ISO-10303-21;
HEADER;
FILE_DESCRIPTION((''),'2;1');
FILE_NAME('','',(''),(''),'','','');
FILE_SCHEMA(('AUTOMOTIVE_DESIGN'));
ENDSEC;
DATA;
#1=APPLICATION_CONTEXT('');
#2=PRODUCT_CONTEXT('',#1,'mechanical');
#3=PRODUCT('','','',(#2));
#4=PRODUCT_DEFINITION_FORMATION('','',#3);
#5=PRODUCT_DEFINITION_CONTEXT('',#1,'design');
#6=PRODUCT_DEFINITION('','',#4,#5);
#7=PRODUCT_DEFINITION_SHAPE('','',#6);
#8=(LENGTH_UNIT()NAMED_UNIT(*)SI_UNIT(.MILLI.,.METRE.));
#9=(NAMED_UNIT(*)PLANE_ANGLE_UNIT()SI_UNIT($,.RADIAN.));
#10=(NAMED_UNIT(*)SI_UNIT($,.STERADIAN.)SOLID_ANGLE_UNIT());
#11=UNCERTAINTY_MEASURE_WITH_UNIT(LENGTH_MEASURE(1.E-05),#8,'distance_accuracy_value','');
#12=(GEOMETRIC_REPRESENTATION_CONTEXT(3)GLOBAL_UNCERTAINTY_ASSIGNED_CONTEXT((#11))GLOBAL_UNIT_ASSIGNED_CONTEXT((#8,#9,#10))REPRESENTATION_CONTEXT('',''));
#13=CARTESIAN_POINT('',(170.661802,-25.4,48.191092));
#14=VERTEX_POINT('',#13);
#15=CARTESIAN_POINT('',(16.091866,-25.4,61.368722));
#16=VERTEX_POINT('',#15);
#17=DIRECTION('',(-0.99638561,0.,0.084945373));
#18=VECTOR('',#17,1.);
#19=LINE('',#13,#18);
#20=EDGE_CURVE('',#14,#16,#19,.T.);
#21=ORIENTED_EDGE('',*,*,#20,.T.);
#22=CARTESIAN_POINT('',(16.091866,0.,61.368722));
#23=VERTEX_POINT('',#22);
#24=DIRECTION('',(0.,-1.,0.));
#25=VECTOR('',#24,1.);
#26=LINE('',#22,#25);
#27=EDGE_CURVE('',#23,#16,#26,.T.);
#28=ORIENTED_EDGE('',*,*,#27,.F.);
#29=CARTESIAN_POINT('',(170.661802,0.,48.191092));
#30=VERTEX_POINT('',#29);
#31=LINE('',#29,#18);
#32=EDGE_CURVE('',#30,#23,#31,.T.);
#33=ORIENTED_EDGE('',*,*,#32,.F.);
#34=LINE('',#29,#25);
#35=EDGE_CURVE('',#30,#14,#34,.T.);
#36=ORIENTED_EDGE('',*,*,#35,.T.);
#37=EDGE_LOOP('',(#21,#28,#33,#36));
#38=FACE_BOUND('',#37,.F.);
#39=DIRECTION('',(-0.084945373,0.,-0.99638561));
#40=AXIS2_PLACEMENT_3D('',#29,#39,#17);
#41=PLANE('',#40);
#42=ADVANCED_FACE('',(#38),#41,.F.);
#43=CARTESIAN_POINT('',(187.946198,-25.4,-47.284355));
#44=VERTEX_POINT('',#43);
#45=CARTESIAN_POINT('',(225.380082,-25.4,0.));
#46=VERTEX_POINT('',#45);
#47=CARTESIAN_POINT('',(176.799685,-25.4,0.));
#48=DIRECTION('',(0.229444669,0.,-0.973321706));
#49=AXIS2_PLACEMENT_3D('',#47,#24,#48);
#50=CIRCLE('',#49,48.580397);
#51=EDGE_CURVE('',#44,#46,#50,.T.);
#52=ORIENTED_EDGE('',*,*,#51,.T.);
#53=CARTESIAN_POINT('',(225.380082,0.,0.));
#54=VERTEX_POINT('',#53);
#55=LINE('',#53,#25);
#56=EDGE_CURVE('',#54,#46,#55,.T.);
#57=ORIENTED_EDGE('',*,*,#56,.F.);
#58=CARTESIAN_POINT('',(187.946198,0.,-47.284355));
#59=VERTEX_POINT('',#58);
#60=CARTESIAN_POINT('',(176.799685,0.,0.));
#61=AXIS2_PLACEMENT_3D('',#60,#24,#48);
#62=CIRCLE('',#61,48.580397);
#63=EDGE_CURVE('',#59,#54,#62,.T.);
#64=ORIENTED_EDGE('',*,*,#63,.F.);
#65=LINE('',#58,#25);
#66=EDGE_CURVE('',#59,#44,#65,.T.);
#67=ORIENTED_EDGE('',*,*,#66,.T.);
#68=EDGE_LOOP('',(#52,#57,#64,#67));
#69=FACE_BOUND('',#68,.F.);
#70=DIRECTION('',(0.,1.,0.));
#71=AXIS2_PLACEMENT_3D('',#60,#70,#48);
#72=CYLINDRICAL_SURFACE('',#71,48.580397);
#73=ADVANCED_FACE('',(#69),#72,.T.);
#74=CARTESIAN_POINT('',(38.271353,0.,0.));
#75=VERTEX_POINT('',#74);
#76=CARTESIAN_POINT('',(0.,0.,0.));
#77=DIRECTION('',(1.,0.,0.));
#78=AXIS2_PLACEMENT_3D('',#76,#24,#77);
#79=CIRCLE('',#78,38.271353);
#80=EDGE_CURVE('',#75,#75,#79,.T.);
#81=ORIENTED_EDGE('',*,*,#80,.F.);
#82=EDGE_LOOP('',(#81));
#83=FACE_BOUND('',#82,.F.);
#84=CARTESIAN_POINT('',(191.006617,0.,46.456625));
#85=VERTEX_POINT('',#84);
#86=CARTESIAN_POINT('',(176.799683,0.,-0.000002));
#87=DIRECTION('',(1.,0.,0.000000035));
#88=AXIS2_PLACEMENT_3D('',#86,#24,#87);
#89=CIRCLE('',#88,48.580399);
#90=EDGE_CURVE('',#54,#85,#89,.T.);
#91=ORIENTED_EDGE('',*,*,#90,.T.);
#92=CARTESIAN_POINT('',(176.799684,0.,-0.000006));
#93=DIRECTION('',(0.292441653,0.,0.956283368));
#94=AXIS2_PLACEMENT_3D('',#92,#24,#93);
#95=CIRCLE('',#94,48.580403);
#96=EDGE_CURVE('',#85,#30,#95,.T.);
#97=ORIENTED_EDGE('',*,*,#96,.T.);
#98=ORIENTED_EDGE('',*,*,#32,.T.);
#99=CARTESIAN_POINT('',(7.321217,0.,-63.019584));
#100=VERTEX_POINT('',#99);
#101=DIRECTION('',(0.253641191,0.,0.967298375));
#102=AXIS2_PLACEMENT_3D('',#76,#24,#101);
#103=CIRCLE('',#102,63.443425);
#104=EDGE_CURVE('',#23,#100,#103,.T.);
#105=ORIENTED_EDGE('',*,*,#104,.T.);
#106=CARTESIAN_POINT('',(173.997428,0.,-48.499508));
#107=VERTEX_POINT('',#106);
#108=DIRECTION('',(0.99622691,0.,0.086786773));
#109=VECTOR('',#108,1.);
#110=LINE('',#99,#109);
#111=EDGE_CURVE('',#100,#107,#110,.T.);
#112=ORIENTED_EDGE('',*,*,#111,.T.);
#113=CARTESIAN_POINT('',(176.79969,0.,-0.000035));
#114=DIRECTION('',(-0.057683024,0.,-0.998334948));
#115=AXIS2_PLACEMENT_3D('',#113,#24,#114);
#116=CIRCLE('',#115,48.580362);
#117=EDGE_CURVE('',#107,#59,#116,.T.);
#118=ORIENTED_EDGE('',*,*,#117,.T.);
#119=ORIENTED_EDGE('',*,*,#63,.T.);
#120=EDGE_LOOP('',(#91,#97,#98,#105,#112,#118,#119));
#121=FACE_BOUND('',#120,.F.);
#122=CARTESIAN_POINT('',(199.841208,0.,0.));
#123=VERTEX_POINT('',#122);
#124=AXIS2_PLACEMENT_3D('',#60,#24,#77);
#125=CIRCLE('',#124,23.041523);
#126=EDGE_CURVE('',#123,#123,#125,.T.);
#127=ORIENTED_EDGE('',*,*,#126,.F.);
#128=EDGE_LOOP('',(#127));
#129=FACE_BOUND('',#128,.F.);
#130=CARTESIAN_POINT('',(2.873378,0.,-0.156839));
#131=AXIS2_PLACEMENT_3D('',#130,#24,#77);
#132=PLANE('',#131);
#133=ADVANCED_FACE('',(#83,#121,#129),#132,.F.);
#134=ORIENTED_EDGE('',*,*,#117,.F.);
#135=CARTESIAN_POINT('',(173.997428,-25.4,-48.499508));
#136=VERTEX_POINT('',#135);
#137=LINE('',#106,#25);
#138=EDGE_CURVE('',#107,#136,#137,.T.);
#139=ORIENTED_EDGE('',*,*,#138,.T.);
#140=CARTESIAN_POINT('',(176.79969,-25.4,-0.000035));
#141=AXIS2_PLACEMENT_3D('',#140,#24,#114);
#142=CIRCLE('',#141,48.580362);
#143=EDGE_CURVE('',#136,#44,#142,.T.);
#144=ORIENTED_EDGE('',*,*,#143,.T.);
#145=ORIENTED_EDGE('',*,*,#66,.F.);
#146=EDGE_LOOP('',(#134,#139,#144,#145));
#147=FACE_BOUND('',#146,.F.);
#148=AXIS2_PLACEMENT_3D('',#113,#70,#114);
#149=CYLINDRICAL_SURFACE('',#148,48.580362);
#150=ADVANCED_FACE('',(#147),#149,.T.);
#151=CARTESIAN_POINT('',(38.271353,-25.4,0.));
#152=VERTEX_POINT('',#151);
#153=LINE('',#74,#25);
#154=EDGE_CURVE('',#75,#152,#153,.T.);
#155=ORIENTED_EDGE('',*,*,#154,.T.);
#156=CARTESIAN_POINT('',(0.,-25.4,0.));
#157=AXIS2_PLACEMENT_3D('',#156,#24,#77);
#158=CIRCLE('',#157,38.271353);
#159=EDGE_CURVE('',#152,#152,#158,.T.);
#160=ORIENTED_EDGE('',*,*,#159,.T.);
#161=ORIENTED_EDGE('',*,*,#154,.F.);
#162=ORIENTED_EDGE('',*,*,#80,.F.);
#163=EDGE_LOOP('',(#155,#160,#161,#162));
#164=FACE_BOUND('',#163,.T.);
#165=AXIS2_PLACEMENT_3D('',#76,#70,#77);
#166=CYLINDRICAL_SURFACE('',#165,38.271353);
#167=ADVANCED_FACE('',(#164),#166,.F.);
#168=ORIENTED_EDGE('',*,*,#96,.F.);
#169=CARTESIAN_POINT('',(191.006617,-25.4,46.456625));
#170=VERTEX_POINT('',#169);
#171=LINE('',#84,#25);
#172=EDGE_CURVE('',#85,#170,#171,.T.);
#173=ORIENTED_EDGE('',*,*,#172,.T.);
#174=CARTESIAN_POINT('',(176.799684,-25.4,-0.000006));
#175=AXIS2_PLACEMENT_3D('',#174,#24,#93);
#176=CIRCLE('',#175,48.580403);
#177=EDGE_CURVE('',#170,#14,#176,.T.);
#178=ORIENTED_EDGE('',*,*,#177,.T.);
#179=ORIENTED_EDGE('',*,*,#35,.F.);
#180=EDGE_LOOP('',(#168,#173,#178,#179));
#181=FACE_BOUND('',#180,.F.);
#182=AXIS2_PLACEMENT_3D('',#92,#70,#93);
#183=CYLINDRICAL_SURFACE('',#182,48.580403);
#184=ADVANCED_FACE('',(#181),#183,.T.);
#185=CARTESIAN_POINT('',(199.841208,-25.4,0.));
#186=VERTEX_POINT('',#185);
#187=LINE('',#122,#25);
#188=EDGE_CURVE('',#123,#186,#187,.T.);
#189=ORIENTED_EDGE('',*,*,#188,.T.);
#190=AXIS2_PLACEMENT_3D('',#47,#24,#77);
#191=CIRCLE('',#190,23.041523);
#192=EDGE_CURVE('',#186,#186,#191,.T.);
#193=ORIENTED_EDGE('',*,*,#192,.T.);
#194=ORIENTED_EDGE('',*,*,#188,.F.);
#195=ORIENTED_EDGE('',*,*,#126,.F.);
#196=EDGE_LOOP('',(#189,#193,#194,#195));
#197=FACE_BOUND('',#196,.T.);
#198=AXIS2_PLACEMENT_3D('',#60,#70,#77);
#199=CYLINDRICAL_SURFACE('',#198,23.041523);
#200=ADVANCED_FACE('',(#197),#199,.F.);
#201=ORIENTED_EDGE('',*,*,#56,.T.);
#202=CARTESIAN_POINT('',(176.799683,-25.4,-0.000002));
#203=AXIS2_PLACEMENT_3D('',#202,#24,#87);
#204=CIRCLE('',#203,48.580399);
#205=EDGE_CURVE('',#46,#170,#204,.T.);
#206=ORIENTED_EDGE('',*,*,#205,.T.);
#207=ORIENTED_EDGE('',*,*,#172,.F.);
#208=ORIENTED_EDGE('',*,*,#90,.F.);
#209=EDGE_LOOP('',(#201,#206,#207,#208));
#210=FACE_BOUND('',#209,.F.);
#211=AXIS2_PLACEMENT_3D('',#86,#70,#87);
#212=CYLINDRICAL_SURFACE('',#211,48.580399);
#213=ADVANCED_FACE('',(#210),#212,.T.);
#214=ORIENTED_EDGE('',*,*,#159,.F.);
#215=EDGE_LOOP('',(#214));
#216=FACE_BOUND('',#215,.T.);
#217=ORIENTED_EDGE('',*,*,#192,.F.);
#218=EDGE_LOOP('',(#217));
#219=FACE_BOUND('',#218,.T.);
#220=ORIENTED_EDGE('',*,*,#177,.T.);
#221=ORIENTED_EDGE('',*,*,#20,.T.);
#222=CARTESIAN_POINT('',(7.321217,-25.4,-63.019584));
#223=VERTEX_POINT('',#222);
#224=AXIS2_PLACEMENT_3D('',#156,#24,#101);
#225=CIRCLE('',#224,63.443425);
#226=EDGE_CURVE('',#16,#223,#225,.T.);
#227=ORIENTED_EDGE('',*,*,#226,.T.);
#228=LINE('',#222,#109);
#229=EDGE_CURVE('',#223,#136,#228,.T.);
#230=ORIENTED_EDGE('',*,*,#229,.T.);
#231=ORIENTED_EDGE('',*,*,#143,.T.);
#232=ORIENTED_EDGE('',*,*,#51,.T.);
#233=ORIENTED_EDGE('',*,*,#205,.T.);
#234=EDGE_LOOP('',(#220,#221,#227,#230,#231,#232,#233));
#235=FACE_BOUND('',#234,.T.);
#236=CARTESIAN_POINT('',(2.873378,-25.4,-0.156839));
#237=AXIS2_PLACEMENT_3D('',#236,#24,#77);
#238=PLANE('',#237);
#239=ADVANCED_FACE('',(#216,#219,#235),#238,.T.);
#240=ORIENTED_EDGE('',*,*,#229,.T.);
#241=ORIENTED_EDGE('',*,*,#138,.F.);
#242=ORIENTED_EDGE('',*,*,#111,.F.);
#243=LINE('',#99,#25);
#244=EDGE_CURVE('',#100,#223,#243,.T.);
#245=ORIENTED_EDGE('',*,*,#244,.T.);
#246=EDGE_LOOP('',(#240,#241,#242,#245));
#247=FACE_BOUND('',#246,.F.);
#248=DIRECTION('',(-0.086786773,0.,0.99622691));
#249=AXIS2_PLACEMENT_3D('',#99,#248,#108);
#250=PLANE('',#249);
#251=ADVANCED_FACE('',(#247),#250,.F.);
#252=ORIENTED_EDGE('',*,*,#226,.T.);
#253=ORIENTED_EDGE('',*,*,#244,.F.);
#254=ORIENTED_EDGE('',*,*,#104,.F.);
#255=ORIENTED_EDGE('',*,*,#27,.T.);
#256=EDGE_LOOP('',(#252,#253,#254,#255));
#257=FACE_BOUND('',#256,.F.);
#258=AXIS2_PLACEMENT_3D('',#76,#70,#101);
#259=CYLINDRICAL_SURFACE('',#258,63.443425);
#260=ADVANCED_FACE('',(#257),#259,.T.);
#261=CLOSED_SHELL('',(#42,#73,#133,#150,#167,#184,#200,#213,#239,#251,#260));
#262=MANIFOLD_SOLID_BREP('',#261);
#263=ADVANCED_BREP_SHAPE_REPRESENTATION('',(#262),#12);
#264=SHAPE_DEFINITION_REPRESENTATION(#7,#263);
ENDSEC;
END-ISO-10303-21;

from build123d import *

# Parameters (mm, degrees)
F0_R     = 38.271353
F0_R_2   = 23.041523
F1_DEPTH = 25.4


with BuildPart() as f1:
    # F0 (on Front) → F1 (new body)
    with BuildSketch(Plane.XZ):
        with BuildLine():
            ThreePointArc((7.321217, -63.019584), (47.379063, -42.193513), (63.443425, 0))
            ThreePointArc((63.443425, 0), (50.22943, 38.756581), (16.091866, 61.368722))
            ThreePointArc((16.091866, 61.368722), (-63.2863, 4.462332), (7.321217, -63.019584))
        make_face()
        Circle(F0_R, mode=Mode.SUBTRACT)
        with BuildLine():
            ThreePointArc((16.091866, 61.368722), (50.22943, 38.756581), (63.443425, 0))
            ThreePointArc((63.443425, 0), (47.379063, -42.193513), (7.321217, -63.019584))
            Line((7.321217, -63.019584), (173.997428, -48.499508))
            ThreePointArc((173.997428, -48.499508), (128.24817, -1.674927), (170.661802, 48.191092))
            Line((170.661802, 48.191092), (16.091866, 61.368722))
        make_face()
        with BuildLine():
            Line((191.006617, 46.456625), (170.661802, 48.191092))
            ThreePointArc((170.661802, 48.191092), (128.24817, -1.674927), (173.997428, -48.499508))
            Line((173.997428, -48.499508), (187.946198, -47.284355))
            ThreePointArc((187.946198, -47.284355), (214.888771, -30.154212), (225.380082, 0))
            ThreePointArc((225.380082, 0), (215.852427, 28.895298), (191.006617, 46.456625))
        make_face()
        with Locations((176.799685, 0)):
            Circle(F0_R_2, mode=Mode.SUBTRACT)
        with BuildLine():
            ThreePointArc((191.006617, 46.456625), (180.926365, 48.404808), (170.661802, 48.191092))
            Line((170.661802, 48.191092), (191.006617, 46.456625))
        make_face()
        with BuildLine():
            Line((187.946198, -47.284355), (173.997428, -48.499508))
            ThreePointArc((173.997428, -48.499508), (181.01582, -48.397099), (187.946198, -47.284355))
        make_face()
    extrude(amount=F1_DEPTH)


solid = f1.part
